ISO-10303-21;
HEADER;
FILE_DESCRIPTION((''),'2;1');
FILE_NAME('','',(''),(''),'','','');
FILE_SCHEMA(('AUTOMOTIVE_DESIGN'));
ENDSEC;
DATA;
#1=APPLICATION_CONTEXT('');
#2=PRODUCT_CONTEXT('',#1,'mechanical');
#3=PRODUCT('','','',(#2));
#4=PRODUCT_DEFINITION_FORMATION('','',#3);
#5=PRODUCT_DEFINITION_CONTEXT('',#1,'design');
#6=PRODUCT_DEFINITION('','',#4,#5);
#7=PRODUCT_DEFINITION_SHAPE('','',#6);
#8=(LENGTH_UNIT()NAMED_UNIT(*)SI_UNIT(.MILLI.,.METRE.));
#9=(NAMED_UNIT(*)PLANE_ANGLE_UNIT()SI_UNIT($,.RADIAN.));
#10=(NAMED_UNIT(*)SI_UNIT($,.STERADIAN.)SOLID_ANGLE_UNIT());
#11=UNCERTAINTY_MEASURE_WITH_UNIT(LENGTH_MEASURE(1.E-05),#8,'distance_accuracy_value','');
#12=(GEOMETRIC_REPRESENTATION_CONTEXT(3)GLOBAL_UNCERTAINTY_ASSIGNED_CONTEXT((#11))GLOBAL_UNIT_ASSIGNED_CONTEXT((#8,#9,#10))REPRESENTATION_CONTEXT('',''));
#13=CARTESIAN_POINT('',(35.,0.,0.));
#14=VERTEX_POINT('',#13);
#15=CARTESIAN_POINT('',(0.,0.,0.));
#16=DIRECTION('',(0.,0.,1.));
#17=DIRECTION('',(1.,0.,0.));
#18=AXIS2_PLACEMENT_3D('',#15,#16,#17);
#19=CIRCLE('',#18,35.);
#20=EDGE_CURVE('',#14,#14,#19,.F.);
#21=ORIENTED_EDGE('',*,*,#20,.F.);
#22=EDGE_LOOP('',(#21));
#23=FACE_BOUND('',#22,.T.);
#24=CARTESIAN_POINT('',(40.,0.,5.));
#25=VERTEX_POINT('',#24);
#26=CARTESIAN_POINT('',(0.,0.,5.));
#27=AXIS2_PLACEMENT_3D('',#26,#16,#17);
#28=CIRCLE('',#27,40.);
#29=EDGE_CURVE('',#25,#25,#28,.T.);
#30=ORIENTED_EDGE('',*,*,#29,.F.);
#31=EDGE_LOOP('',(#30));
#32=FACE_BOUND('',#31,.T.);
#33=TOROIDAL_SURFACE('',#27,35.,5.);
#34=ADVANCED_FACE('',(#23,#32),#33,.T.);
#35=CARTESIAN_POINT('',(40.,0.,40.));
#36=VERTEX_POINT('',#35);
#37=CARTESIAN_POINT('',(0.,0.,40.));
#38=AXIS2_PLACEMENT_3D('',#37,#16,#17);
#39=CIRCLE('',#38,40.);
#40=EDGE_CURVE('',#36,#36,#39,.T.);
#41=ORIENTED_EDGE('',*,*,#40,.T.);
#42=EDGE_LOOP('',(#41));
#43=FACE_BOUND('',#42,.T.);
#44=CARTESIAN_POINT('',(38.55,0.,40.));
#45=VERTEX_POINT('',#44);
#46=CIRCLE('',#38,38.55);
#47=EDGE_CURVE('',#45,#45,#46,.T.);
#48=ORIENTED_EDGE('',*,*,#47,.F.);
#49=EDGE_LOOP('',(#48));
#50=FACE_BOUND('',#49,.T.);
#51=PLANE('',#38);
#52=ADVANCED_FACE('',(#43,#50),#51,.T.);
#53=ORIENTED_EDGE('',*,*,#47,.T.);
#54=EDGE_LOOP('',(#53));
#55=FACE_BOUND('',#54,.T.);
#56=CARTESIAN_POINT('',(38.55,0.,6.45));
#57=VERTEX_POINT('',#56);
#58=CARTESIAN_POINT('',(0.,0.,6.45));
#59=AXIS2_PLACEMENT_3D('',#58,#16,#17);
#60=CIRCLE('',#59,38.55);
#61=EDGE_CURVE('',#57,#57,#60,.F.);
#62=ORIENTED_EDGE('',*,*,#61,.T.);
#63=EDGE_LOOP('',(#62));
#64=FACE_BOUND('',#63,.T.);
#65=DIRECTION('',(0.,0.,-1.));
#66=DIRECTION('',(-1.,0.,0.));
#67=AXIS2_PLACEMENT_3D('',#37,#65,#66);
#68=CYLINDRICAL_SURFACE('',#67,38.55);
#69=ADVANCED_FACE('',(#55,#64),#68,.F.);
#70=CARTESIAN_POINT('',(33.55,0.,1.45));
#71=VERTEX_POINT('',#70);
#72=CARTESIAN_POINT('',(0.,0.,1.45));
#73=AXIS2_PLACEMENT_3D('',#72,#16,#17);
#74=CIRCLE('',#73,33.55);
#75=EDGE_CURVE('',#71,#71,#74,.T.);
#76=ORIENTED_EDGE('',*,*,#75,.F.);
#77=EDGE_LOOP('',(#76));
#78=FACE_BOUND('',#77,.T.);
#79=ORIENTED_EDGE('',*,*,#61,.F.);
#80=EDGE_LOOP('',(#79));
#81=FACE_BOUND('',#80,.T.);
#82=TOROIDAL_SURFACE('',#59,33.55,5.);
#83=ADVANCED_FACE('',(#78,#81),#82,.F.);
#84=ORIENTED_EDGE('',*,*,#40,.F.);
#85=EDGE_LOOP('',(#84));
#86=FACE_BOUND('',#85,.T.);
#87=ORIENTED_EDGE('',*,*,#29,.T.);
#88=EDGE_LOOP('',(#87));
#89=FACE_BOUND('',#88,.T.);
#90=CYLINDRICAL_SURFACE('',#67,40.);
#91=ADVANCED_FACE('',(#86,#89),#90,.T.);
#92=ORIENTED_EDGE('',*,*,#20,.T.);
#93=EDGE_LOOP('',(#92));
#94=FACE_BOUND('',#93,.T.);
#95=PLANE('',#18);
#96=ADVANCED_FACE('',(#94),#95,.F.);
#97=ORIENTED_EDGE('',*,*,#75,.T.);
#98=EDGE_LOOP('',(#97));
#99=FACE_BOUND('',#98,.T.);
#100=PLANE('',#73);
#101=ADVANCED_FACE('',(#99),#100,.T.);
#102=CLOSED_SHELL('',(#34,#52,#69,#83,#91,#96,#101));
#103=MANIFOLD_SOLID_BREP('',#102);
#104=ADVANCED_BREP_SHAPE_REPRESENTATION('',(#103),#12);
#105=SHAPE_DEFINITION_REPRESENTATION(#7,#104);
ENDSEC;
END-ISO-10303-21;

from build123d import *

# Parameters (mm, degrees)
SKETCH1_R           = 40
BOSS_EXTRUDE1_DEPTH = 40
SHELL1_T            = -1.45
FILLET1_R           = 5


with BuildPart() as part:
    # Sketch1 → Boss-Extrude1 (new body)
    with BuildSketch(Plane.XY):
        Circle(SKETCH1_R)
    extrude(amount=BOSS_EXTRUDE1_DEPTH)

    # Shell1
    shell1_openings = [part.faces().sort_by_distance(p)[0] for p in [
        (0, 0, 40),
    ]]
    offset(amount=SHELL1_T, openings=shell1_openings, kind=Kind.INTERSECTION)

    # Fillet1
    fillet1_edges = [part.edges().sort_by_distance(p)[0] for p in [
        (-40, 0, 0),
        (-38.55, 0, 1.45),
    ]]
    fillet(fillet1_edges, radius=FILLET1_R)


solid = part.part
